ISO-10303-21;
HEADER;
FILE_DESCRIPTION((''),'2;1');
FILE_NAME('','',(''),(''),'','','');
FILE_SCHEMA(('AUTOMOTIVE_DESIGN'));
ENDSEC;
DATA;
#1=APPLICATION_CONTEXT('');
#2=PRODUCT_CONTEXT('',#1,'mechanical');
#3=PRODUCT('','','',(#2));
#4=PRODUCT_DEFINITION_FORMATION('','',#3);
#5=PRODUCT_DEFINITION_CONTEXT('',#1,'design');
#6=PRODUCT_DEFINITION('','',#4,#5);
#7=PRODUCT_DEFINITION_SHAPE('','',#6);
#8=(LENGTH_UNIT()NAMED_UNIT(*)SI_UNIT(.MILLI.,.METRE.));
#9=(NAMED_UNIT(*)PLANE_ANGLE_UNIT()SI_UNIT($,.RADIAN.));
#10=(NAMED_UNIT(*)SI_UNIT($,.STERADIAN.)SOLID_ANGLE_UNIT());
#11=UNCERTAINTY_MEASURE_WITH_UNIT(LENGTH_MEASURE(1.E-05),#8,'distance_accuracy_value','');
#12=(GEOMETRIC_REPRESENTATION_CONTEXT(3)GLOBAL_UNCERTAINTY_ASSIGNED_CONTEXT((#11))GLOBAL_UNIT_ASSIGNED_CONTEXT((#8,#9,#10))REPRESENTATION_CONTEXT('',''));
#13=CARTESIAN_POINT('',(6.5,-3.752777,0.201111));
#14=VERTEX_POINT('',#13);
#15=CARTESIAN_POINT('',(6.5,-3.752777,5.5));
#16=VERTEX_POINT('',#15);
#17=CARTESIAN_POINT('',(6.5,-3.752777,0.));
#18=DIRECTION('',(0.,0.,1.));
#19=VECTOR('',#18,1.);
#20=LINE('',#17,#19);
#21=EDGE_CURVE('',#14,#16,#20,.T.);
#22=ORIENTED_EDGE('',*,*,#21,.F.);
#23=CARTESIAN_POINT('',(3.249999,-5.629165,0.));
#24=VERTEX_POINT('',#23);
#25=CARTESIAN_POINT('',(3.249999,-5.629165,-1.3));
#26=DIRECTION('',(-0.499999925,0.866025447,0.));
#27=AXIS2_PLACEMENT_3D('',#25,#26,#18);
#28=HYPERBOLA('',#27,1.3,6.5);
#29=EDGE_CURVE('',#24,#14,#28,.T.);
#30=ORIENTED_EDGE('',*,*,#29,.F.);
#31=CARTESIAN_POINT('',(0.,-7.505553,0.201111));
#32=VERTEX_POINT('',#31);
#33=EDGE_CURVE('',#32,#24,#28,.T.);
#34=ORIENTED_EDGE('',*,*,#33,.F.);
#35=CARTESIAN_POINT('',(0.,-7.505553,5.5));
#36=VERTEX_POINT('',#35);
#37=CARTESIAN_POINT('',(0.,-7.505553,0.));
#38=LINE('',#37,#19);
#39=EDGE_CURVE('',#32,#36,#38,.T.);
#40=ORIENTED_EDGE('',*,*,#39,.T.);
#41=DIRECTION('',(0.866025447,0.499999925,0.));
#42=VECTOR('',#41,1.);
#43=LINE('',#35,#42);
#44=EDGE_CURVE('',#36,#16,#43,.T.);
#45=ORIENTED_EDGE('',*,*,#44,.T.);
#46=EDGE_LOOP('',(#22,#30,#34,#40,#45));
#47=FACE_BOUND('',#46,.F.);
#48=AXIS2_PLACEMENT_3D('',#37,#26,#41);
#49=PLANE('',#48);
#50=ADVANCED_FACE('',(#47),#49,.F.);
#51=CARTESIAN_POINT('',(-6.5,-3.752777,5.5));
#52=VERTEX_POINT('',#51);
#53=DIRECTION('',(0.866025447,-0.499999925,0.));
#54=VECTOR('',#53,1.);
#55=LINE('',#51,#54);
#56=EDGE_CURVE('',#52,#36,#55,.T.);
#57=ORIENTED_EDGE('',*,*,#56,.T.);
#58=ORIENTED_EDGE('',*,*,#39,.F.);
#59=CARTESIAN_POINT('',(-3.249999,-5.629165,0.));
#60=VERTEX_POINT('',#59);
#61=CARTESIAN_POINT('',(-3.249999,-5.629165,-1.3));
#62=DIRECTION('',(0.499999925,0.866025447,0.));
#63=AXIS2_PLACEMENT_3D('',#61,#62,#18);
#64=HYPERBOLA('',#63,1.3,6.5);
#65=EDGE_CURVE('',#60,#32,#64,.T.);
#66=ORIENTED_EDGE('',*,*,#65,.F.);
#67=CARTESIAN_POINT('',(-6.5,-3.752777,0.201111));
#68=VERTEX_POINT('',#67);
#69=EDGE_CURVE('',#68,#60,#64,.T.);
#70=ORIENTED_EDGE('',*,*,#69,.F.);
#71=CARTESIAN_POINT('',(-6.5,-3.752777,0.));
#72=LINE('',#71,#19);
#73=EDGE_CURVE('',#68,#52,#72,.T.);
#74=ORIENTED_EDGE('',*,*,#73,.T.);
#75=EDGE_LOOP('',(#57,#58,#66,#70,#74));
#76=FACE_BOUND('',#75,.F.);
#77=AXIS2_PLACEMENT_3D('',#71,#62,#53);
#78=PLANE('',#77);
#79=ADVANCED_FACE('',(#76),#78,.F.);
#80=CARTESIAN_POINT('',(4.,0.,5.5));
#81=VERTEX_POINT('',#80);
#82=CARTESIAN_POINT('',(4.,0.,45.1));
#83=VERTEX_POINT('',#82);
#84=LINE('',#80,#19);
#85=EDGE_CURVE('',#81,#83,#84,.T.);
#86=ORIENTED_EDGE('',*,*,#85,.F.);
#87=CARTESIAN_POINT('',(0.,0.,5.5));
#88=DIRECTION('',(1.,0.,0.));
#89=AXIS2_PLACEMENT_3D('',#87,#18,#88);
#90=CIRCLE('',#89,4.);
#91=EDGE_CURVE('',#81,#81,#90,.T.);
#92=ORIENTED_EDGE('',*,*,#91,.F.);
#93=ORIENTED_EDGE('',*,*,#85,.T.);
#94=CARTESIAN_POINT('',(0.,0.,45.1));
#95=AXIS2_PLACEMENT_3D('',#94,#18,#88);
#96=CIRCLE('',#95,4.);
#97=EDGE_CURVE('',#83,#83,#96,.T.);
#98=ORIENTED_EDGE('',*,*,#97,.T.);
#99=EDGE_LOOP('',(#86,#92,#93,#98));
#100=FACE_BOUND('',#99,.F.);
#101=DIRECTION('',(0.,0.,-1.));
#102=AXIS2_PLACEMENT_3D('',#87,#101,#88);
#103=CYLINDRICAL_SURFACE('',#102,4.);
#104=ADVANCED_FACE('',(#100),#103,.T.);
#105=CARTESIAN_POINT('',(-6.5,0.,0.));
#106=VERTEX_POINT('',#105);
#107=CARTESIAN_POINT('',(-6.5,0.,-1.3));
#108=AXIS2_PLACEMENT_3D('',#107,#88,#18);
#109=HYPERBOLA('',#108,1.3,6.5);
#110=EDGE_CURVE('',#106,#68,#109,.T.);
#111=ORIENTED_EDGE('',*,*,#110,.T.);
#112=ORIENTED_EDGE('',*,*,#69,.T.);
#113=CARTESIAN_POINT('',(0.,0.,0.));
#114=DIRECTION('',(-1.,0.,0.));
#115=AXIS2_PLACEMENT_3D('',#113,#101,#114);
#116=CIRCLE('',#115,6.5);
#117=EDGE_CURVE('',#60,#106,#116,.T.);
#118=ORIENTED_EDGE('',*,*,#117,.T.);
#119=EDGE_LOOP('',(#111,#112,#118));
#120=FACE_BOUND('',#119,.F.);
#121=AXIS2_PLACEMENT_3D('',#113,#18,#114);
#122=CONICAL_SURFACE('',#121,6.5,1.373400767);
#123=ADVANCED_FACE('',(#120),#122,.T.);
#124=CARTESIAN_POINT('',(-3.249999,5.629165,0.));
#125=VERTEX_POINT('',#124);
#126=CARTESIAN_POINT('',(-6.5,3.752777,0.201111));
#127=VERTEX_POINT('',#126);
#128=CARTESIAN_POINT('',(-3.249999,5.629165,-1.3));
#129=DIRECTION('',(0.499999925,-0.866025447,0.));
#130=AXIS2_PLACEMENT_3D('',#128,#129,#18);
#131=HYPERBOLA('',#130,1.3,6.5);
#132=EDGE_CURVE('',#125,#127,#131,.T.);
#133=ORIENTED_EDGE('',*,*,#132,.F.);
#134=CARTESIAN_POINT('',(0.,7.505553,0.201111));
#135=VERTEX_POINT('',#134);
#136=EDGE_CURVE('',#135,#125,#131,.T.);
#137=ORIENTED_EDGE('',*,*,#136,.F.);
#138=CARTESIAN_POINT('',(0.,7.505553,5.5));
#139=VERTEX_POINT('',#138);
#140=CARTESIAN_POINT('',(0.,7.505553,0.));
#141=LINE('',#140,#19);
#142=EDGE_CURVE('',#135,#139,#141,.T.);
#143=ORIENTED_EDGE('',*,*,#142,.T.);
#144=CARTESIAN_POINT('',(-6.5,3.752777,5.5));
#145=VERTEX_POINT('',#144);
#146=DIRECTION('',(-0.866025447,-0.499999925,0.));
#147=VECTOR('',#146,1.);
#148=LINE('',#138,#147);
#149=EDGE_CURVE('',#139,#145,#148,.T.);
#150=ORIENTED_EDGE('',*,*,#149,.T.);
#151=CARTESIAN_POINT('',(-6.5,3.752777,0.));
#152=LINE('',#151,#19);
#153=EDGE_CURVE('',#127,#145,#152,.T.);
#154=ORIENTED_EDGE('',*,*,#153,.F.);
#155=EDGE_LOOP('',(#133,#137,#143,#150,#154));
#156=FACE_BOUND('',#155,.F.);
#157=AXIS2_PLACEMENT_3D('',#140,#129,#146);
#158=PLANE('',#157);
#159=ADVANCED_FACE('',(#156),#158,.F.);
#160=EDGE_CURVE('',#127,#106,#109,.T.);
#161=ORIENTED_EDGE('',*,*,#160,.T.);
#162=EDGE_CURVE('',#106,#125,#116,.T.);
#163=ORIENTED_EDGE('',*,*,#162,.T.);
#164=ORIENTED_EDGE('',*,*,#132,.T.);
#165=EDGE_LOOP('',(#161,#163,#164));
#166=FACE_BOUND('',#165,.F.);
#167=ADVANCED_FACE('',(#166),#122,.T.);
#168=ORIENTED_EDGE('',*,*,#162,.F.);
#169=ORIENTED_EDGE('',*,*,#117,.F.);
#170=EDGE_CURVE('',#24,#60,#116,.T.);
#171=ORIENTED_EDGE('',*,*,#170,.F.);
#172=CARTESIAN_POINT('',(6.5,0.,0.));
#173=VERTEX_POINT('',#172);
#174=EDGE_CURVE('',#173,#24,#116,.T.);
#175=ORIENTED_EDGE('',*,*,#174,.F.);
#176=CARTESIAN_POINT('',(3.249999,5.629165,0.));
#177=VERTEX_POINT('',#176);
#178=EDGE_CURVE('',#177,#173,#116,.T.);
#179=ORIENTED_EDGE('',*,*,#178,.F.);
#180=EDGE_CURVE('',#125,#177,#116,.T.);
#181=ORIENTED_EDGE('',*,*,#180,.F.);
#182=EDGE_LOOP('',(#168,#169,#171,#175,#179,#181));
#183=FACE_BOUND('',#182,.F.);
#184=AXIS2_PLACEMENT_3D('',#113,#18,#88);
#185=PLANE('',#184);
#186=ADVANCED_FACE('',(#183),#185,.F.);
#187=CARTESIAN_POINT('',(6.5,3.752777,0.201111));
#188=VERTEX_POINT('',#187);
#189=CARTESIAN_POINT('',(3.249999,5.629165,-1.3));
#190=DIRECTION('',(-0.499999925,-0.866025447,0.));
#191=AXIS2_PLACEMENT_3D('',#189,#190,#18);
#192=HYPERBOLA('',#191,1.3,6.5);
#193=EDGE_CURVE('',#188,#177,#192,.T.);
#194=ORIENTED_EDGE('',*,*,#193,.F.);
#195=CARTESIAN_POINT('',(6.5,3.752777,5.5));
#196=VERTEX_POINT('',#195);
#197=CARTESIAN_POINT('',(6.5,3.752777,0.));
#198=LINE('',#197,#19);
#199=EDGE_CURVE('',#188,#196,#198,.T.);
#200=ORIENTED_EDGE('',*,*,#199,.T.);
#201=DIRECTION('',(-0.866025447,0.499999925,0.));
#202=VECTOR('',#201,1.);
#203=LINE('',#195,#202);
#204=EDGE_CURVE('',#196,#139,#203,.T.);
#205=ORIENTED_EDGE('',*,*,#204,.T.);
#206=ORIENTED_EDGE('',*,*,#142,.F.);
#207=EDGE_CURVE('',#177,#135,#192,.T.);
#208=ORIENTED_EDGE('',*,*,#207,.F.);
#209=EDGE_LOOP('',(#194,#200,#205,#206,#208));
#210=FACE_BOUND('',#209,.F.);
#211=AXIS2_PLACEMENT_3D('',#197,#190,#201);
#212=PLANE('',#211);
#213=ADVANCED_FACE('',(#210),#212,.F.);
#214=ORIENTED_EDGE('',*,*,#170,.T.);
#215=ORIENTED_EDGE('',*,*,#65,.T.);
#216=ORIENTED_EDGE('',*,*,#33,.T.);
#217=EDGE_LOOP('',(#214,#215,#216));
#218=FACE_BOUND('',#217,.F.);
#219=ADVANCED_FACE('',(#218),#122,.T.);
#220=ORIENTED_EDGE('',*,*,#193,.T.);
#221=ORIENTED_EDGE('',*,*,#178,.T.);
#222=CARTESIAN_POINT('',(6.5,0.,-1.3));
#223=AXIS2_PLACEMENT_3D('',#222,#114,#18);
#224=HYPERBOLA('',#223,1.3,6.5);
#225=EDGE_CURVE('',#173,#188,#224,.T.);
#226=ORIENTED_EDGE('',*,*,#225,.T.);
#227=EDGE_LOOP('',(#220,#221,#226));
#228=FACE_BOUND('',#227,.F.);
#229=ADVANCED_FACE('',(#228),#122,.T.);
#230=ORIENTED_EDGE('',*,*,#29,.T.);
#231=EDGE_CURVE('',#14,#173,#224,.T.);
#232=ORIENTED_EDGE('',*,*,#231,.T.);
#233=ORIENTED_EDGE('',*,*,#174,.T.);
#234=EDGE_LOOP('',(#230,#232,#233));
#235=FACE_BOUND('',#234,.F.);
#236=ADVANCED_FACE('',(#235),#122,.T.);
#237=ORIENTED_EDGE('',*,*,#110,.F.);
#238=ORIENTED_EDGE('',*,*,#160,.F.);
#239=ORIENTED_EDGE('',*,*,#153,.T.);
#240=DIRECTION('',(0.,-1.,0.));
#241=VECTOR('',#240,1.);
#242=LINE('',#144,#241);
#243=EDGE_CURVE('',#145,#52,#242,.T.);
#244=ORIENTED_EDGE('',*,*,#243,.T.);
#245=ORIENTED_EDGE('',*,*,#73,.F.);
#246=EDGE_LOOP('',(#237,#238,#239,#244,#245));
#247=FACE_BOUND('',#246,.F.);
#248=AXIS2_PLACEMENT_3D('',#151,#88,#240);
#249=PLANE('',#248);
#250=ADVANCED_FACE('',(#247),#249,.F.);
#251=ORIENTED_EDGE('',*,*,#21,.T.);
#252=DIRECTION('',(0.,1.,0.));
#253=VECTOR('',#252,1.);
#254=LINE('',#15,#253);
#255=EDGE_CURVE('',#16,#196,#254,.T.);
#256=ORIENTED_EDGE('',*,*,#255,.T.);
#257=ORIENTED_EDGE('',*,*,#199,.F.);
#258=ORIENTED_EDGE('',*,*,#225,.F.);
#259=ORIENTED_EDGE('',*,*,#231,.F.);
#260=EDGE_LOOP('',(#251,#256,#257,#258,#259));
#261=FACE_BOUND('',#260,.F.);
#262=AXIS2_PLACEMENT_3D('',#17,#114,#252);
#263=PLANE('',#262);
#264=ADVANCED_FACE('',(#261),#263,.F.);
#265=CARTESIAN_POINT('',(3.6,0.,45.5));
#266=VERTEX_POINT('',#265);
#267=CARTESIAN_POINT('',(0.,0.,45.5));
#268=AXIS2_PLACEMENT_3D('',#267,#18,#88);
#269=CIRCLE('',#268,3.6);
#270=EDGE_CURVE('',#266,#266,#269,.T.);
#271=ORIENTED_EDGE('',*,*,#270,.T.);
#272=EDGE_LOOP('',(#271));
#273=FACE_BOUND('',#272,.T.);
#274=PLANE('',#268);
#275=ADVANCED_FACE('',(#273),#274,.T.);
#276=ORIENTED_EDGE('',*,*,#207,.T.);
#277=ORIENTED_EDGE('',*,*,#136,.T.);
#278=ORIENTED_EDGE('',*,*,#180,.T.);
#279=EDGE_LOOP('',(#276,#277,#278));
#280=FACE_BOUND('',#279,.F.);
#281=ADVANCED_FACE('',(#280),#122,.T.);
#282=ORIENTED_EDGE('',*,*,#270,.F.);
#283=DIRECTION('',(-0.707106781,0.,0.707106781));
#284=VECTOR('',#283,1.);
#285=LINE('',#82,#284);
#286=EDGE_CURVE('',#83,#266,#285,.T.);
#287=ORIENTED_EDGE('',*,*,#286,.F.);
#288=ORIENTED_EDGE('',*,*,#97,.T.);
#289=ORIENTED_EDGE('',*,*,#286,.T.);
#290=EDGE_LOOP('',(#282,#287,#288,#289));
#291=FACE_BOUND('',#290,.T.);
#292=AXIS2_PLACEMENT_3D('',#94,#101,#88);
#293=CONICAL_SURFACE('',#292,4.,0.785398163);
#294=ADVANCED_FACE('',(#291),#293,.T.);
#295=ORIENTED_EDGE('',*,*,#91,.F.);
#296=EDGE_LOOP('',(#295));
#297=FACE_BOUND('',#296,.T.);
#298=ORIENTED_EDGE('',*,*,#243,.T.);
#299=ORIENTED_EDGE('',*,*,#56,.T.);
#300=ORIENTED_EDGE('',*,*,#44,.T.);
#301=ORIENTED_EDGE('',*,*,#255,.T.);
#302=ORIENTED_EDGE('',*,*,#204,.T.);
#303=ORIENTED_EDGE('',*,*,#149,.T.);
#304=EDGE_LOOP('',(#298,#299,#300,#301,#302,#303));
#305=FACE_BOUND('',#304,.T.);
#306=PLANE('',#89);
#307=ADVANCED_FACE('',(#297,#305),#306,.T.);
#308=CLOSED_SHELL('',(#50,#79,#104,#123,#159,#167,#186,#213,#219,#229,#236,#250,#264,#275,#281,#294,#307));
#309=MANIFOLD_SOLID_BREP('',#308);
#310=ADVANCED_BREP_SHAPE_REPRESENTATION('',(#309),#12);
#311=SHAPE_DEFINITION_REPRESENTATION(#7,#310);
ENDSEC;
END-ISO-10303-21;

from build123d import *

# Parameters (mm, degrees)
F1_DEPTH = 5.5
F2_R     = 4
F3_DEPTH = 40
F4_SIZE  = 0.4


with BuildPart() as f1:
    # F0 (on Top) → F1 (new body)
    with BuildSketch(Plane.XY):
        Polygon((6.5, 3.752777), (0, 7.505553), (-6.5, 3.752777), (-6.5, -3.752777), (0, -7.505553), (6.5, -3.752777), align=None)
    extrude(amount=F1_DEPTH)

    # F2 (on face) → F3 (join)
    with BuildSketch(Plane.XY.offset(5.5)):
        Circle(F2_R)
    extrude(amount=F3_DEPTH)

    # F4
    f4_edges = [f1.edges().sort_by_distance(p)[0] for p in [
        (-4, 0, 45.5),
    ]]
    chamfer(f4_edges, length=F4_SIZE)

    # F5 (on Front) → F6 (revolve, cut)
    with BuildSketch(Plane.XZ):
        Polygon((-11.5, 1), (-11.5, 0), (-6.5, 0), align=None)
    revolve(axis=Axis((0, 0, 5.5), (0, 0, -1)), mode=Mode.SUBTRACT)


solid = f1.part
